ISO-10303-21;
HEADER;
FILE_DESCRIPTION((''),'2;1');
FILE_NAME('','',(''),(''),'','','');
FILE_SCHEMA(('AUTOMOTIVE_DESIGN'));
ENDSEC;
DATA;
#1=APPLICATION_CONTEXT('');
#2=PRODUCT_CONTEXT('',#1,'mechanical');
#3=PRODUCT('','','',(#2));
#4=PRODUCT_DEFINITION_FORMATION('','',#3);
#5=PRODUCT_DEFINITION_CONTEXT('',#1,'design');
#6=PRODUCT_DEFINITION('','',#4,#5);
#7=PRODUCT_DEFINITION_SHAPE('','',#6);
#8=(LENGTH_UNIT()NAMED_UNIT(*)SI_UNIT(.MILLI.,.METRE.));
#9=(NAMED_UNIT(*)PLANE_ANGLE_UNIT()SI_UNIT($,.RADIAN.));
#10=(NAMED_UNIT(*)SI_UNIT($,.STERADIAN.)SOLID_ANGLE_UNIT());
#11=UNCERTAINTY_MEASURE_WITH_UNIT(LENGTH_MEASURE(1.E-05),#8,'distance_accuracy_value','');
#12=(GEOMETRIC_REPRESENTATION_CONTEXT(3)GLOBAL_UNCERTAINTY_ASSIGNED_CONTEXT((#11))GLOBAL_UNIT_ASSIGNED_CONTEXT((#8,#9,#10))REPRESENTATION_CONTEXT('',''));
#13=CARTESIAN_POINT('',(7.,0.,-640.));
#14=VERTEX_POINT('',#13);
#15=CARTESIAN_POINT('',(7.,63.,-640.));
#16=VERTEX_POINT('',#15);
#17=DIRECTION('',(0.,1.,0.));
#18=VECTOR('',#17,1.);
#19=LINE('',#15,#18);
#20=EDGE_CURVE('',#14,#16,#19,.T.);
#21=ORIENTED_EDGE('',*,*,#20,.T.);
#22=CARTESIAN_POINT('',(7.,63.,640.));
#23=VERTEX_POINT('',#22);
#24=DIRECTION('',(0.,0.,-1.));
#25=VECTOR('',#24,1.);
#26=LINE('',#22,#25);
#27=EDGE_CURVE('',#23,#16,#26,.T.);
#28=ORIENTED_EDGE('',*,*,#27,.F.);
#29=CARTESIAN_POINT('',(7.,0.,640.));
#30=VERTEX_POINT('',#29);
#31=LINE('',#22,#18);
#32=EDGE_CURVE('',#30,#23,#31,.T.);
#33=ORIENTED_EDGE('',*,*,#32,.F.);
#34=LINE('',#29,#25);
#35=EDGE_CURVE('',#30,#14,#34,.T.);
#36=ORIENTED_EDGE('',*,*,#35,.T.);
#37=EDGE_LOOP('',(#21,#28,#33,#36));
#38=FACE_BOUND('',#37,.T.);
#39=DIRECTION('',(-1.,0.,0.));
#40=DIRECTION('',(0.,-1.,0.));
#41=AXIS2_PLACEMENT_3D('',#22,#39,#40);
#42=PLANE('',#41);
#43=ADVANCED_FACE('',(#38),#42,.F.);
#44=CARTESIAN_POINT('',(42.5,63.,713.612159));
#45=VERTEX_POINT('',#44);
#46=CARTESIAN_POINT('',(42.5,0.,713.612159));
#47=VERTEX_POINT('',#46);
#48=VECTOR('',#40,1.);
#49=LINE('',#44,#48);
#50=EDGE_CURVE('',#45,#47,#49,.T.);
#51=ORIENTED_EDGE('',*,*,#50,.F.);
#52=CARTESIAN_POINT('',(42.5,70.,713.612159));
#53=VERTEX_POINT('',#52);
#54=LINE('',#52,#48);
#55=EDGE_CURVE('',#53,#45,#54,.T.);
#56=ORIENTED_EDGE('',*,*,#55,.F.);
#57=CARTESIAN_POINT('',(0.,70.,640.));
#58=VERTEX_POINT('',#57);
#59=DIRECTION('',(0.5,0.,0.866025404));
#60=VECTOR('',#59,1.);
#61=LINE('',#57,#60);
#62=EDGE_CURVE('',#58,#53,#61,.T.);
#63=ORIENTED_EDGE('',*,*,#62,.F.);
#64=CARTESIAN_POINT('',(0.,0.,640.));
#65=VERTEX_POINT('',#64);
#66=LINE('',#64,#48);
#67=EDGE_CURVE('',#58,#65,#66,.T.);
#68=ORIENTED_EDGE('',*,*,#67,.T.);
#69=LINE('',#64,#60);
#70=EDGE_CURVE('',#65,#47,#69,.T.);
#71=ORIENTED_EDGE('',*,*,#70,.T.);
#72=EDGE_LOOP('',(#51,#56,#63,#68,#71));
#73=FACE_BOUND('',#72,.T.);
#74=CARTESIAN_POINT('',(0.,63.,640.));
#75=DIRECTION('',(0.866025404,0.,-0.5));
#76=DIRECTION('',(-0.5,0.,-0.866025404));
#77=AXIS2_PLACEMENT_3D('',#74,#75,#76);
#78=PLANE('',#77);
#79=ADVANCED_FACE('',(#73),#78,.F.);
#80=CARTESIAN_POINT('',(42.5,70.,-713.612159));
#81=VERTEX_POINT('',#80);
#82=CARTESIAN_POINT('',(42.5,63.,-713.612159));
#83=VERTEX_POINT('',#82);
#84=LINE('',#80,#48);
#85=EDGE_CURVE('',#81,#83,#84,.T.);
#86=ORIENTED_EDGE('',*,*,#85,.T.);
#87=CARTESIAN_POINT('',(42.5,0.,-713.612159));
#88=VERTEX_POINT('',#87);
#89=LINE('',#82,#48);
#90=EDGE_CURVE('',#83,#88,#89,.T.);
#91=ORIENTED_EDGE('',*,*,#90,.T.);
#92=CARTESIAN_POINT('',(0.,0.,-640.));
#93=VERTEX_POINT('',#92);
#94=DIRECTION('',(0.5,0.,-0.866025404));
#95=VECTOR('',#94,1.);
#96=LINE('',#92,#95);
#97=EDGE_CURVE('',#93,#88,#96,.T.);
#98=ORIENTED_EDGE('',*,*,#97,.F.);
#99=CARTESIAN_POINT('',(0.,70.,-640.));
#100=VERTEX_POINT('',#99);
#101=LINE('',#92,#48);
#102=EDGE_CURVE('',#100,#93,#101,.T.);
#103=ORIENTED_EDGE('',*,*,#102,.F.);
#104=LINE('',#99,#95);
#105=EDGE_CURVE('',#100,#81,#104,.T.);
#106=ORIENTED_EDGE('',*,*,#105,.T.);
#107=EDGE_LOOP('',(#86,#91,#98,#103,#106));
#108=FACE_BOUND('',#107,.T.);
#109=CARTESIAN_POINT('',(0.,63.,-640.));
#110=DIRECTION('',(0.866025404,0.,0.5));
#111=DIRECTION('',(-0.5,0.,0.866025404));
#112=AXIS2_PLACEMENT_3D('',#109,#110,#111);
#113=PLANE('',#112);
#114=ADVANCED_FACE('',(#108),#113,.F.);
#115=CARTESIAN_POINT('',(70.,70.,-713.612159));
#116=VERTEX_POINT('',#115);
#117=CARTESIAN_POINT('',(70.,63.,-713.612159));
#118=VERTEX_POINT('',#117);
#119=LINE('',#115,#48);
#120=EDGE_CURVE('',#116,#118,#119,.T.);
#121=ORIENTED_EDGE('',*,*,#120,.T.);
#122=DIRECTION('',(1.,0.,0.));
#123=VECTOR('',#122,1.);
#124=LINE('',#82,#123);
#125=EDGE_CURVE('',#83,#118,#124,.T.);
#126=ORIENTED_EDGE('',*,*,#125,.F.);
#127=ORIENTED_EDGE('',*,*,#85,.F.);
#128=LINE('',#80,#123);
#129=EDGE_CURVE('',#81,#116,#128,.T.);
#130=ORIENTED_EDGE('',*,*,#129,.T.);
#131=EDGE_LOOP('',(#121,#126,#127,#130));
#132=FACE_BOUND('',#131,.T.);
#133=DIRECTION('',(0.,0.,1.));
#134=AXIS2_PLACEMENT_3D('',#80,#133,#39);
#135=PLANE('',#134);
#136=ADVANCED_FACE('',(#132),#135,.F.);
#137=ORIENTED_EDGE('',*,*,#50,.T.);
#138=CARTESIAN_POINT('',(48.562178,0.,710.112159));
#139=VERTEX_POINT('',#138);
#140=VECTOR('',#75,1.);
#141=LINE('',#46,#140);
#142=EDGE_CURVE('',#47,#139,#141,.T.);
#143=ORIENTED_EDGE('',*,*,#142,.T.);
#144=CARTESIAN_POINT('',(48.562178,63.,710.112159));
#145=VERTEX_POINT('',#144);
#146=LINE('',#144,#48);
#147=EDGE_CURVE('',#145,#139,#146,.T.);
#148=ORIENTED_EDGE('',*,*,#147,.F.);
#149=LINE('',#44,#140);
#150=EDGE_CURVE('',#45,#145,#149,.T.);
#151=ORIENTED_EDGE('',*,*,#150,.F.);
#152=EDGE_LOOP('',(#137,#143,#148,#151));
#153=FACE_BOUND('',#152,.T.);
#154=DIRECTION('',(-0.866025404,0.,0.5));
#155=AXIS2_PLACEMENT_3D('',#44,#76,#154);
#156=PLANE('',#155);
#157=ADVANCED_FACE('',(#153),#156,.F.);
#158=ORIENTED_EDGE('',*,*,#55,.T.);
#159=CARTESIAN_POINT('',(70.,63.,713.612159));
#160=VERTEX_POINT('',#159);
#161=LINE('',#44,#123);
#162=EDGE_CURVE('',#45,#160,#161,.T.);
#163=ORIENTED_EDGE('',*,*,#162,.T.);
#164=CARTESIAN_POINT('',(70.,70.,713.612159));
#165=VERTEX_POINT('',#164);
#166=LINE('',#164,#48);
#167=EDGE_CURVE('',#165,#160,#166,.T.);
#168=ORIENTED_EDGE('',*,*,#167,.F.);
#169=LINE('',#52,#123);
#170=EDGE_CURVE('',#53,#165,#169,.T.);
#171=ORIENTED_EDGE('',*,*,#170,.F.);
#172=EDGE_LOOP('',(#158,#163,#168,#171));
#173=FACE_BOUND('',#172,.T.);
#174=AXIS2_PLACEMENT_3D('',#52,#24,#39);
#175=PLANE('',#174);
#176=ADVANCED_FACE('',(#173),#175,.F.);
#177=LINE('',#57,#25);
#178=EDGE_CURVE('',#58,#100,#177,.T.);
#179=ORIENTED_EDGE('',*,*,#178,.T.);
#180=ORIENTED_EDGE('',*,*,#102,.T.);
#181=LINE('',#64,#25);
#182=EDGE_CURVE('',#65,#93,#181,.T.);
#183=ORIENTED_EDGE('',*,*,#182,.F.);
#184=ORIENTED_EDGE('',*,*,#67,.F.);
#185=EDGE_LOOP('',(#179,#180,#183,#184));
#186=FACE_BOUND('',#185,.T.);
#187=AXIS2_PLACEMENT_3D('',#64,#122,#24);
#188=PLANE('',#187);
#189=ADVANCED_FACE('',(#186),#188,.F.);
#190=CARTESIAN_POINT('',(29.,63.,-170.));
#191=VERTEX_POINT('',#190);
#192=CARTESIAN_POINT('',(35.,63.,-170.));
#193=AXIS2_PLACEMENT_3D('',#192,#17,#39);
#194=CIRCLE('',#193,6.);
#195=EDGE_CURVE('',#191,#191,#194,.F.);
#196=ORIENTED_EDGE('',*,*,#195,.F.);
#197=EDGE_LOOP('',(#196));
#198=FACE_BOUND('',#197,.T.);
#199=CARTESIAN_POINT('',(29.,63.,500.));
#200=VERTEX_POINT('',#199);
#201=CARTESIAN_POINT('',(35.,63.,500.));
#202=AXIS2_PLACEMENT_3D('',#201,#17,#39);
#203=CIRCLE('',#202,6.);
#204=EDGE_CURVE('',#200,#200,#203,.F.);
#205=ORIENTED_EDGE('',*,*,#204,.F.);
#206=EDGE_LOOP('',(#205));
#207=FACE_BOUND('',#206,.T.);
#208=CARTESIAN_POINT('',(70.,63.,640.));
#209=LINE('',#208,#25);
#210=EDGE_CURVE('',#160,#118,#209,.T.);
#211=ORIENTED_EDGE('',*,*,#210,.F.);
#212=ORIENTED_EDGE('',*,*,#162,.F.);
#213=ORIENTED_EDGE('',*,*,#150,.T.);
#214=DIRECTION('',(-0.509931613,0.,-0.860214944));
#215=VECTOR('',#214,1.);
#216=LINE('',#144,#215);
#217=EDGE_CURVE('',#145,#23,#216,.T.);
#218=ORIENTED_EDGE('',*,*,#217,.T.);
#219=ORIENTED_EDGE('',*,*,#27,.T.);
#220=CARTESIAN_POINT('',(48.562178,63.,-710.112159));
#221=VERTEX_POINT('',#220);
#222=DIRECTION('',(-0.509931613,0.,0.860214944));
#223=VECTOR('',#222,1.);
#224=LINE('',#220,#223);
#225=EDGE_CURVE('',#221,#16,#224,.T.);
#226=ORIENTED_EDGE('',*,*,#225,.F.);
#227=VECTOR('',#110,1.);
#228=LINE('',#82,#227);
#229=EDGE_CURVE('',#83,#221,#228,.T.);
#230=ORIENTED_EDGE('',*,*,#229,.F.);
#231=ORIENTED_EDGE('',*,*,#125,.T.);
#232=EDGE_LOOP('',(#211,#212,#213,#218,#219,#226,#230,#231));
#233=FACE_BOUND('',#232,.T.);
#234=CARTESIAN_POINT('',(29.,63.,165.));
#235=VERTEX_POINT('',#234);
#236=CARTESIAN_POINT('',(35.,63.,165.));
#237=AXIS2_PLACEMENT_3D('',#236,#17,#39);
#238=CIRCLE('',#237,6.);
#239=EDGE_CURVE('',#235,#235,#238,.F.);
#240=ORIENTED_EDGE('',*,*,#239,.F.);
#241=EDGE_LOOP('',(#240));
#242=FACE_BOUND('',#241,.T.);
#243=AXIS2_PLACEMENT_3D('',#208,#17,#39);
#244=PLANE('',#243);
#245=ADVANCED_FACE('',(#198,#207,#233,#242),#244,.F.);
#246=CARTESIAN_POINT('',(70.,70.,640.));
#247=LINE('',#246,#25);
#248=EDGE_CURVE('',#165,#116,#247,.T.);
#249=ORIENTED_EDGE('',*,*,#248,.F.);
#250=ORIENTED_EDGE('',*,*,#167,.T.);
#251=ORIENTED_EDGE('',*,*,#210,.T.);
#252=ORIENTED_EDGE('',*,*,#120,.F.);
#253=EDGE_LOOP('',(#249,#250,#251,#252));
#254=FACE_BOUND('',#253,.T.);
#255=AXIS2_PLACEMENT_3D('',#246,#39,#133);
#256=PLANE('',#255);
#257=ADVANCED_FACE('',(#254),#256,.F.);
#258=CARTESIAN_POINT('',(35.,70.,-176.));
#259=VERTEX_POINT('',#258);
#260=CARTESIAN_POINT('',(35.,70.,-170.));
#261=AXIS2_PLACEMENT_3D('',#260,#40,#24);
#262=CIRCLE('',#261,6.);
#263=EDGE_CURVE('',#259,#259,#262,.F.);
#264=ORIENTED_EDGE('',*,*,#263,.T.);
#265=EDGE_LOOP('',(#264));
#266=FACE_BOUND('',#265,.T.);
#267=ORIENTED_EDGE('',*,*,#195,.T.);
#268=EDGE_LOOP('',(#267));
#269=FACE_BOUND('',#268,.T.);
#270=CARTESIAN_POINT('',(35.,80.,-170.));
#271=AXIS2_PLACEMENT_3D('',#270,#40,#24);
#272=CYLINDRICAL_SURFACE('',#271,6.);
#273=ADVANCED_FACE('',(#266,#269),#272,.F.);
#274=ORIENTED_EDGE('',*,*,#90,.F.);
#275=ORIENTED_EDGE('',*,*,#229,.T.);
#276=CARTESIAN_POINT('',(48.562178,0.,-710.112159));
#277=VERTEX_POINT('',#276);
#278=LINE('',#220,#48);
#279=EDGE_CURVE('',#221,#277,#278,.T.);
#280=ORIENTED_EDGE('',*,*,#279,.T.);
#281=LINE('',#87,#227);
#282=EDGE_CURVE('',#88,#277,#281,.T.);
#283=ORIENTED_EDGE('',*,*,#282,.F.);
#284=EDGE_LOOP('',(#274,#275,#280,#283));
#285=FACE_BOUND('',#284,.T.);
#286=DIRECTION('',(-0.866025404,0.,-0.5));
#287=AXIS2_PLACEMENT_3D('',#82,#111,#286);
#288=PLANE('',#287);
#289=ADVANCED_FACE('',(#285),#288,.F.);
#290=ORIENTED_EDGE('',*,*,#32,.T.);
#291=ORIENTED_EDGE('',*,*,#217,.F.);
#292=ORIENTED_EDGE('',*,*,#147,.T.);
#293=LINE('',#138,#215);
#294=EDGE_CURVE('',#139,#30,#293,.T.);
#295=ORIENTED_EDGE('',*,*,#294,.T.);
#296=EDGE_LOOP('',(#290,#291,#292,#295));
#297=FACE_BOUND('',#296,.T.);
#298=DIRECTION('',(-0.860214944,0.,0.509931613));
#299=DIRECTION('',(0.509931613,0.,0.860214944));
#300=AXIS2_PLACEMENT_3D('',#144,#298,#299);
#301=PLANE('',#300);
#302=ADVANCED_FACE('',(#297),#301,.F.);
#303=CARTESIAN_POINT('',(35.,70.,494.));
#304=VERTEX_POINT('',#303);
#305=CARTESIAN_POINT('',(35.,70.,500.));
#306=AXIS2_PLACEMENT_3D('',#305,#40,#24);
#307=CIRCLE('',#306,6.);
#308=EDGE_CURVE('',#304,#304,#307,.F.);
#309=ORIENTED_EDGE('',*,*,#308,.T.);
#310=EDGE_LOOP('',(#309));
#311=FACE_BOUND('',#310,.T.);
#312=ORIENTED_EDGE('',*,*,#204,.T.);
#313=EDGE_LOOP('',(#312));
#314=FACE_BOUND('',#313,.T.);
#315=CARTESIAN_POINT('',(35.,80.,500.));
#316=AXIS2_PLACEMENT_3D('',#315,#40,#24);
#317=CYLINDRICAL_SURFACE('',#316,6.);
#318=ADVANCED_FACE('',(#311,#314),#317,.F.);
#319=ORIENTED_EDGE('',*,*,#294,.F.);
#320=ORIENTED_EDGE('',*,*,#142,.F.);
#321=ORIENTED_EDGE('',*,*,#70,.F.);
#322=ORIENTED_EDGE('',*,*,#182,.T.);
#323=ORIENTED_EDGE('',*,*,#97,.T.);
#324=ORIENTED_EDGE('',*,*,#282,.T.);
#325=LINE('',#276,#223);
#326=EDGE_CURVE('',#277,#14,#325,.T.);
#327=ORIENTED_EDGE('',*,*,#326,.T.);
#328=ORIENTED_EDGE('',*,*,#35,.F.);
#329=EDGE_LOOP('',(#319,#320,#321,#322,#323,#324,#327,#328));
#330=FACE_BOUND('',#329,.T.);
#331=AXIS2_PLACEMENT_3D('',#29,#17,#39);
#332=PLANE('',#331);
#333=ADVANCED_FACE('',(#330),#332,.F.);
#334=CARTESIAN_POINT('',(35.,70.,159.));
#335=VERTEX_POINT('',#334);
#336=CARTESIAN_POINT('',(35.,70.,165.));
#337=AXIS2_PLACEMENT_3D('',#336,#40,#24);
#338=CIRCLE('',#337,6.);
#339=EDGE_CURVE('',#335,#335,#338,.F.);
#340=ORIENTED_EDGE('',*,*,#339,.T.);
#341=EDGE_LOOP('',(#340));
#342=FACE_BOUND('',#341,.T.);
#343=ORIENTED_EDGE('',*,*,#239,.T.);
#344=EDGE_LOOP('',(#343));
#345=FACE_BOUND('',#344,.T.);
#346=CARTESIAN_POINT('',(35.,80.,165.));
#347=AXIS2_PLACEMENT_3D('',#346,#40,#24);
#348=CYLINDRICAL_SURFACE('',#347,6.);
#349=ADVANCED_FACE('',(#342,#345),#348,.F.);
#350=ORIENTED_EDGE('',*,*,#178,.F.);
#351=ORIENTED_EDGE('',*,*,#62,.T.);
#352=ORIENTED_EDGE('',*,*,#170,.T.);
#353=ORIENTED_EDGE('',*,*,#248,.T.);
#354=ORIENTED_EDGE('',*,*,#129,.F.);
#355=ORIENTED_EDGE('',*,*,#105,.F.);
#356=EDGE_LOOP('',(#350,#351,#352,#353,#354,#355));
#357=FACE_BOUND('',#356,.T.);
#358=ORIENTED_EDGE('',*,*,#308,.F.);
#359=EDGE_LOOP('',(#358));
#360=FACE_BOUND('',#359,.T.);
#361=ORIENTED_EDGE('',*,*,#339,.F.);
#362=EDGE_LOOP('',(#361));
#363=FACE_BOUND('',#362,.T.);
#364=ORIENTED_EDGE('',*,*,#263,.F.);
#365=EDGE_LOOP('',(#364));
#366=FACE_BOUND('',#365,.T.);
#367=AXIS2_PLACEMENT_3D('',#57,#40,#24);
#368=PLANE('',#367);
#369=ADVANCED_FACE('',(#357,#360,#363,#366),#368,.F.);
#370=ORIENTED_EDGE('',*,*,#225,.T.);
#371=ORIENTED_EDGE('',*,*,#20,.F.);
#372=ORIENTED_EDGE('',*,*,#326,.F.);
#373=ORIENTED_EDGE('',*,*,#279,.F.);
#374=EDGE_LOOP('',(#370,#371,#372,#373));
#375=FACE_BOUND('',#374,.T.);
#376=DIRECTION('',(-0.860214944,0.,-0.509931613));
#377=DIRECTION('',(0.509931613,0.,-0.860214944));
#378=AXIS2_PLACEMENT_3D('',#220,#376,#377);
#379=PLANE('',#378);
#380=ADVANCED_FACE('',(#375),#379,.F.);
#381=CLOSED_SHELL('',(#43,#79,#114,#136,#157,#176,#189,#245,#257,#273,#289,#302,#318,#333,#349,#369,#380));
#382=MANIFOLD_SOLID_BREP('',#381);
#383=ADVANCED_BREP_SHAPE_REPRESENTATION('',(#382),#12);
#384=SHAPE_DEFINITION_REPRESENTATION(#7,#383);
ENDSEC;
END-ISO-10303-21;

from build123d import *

# Parameters (mm, degrees)
BOSS_EXTRUDE1_DEPTH     = 640
BOSS_EXTRUDE2_DEPTH     = 63
BOSS_EXTRUDE3_DEPTH     = 7
CUT_EXTRUDE1_DEPTH      = 10
CUT_EXTRUDE1_DEPTH_BACK = 10
SKETCH28_R              = 6


with BuildPart() as part:
    # Sketch1 → Boss-Extrude1 (new body)
    with BuildSketch(Plane.XY):
        Polygon((0, 0), (0, 70), (70, 70), (70, 63), (7, 63), (7, 0), align=None)
    extrude(amount=BOSS_EXTRUDE1_DEPTH)

    # Sketch23 → Boss-Extrude2 (add)
    with BuildSketch(Plane(origin=(0, 0, 0), x_dir=(1, 0, 0), z_dir=(0, 1, 0))):
        Polygon((0, -640), (42.5, -713.612159322), (48.562177826, -710.112159322), (7, -640), align=None)
    extrude(amount=BOSS_EXTRUDE2_DEPTH)

    # Sketch25 → Boss-Extrude3 (add)
    with BuildSketch(Plane(origin=(0, 63, 0), x_dir=(1, 0, 0), z_dir=(0, 1, 0))):
        Polygon((70, -640), (0, -640), (42.5, -713.612159322), (70, -713.612159322), align=None)
    extrude(amount=BOSS_EXTRUDE3_DEPTH)

    # Mirror1: part across plane


with BuildPart() as part_1:
    add(part.part)
    add(part.part.mirror(Plane.XY))

    # Sketch28 → Cut-Extrude1 (cut, two sides: drawn at the far end of the back side and taken through both)
    with BuildSketch(Plane(origin=(0, 70, 0), x_dir=(1, 0, 0), z_dir=(0, 1, 0)).offset(-CUT_EXTRUDE1_DEPTH_BACK)):
        with Locations((35, -500)):
            Circle(SKETCH28_R)
        with Locations((35, -165)):
            Circle(SKETCH28_R)
        with Locations((35, 170)):
            Circle(SKETCH28_R)
    extrude(amount=CUT_EXTRUDE1_DEPTH + CUT_EXTRUDE1_DEPTH_BACK, mode=Mode.SUBTRACT)


solid = part_1.part
